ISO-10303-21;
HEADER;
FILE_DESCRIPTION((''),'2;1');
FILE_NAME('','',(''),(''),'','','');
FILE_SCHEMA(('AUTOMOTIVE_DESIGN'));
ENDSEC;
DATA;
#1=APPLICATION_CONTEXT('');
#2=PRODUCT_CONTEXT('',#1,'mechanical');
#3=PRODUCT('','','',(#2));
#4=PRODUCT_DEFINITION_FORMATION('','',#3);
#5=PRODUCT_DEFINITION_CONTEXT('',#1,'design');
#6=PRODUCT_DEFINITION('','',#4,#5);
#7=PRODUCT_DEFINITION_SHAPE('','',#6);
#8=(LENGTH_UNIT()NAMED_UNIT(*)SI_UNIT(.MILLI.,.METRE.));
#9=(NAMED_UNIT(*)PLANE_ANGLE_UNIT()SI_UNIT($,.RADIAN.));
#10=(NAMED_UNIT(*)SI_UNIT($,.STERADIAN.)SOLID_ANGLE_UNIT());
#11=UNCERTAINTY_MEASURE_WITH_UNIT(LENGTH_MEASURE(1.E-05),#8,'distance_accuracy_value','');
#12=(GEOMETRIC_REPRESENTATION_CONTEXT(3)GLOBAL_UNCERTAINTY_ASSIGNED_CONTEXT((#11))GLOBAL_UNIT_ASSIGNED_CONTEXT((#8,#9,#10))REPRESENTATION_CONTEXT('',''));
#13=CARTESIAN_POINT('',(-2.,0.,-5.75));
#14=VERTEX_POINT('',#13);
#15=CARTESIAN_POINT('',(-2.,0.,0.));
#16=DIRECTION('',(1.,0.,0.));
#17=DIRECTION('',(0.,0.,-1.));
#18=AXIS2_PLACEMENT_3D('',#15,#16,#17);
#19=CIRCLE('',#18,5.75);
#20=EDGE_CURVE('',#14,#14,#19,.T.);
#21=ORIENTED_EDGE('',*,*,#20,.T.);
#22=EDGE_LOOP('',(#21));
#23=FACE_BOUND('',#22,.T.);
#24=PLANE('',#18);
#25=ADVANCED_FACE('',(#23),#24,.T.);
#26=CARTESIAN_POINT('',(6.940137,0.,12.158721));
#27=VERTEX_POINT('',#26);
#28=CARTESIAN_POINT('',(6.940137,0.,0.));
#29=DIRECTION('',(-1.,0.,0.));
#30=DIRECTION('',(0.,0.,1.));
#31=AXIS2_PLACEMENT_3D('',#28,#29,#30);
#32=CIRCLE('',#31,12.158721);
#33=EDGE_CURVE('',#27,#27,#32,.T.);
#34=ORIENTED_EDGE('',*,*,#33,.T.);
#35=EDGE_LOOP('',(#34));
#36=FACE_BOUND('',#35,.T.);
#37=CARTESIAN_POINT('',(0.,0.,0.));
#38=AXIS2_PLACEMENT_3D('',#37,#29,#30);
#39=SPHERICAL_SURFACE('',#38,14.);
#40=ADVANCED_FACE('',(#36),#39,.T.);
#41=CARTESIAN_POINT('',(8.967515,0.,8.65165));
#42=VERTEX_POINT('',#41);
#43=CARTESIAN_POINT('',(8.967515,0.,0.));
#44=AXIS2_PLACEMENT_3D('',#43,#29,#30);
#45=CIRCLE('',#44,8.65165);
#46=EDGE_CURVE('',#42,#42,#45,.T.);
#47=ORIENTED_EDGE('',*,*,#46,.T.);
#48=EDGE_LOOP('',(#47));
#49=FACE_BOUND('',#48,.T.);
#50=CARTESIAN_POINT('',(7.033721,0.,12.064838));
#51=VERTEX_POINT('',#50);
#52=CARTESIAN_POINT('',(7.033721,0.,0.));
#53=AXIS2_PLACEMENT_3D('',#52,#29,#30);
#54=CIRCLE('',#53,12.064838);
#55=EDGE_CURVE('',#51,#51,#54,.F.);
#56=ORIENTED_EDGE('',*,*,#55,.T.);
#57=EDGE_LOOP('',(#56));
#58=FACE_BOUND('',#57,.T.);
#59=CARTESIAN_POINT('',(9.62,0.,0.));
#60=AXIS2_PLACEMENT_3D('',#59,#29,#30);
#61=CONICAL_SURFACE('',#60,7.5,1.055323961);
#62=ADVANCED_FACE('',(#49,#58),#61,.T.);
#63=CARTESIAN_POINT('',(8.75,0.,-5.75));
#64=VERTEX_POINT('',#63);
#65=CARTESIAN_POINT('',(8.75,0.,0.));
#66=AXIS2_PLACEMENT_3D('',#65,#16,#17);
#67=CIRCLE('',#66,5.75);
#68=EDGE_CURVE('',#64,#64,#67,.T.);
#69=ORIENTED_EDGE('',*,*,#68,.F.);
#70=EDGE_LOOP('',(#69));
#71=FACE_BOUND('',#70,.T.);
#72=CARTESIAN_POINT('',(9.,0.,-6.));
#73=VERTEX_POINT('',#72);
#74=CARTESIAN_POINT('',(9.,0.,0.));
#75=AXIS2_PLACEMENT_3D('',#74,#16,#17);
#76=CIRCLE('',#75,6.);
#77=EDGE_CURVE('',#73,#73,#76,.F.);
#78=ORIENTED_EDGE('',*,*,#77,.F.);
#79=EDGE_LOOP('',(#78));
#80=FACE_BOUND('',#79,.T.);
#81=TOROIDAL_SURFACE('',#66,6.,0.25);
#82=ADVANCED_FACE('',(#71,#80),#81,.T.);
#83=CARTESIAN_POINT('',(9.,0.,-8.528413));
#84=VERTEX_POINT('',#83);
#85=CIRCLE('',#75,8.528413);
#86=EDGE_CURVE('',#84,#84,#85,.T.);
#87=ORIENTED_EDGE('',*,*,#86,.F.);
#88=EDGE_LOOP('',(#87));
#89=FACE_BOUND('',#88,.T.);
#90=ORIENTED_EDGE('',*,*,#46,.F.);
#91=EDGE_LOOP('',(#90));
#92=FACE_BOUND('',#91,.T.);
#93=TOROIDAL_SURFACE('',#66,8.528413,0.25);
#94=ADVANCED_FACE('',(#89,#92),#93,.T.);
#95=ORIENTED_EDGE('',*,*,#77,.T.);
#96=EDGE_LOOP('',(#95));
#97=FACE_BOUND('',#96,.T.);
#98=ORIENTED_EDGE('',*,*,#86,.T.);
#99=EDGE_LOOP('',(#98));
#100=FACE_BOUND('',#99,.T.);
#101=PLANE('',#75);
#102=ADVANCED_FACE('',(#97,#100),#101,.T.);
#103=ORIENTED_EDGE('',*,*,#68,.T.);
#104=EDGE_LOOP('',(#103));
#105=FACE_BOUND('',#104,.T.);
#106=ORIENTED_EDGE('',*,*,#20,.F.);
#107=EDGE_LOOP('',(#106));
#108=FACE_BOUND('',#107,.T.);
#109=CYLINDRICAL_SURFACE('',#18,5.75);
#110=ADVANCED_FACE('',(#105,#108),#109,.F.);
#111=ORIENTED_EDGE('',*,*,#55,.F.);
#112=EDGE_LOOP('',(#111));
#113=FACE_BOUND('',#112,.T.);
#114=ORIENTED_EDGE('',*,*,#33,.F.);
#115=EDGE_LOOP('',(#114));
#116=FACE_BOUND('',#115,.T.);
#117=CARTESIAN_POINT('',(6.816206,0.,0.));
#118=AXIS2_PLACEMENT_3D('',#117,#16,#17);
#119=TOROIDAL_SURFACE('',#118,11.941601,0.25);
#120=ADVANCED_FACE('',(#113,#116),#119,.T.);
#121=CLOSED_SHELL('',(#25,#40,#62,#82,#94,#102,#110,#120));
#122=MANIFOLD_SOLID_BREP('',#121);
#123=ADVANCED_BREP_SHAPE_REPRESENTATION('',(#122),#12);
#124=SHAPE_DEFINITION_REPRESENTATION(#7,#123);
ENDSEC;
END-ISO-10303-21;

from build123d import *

# Parameters (mm, degrees)
SKETCH3_R          = 13.805
CUT_EXTRUDE1_DEPTH = 10
SKETCH4_R          = 5.75
CUT_EXTRUDE2_DEPTH = 11
FILLET1_R          = 0.25


with BuildPart() as part:
    # Sketch1 → Revolve1 (revolve)
    with BuildSketch(Plane(origin=(0, 0, 0), x_dir=(1, 0, 0), z_dir=(0, 1, 0))):
        with BuildLine():
            Line((0, 14), (0, -14))
            ThreePointArc((0, -14), (-14, 0), (0, 14))
        make_face()
    revolve(axis=Axis((0, 0, -14), (0, 0, 1)))

    # Sketch3 → Cut-Extrude1 (cut)
    with BuildSketch(Plane(origin=(9, 0, 0), x_dir=(0, 0, -1), z_dir=(1, 0, 0))):
        Circle(SKETCH3_R)
    extrude(amount=CUT_EXTRUDE1_DEPTH, mode=Mode.SUBTRACT)

    # Sketch4 → Cut-Extrude2 (cut)
    with BuildSketch(Plane(origin=(9, 0, 0), x_dir=(0, 0, -1), z_dir=(1, 0, 0))):
        Circle(SKETCH4_R)
    extrude(amount=-CUT_EXTRUDE2_DEPTH, mode=Mode.SUBTRACT)

    # Sketch6 → Cut-Revolve1 (revolve, cut)
    with BuildSketch(Plane(origin=(0, 0, 0), x_dir=(1, 0, 0), z_dir=(0, 1, 0))):
        Polygon((7, -12.124355653), (9.62, -7.5), (9.62, -12.124355653), align=None)
    revolve(axis=Axis((0, 0, 0), (1, 0, 0)), mode=Mode.SUBTRACT)

    # Fillet1
    fillet1_edges = [part.edges().sort_by_distance(p)[0] for p in [
        (9, 0, 5.75),
        (9, 0, -8.59431317),
        (7, 0, -12.124355653),
    ]]
    fillet(fillet1_edges, radius=FILLET1_R)


solid = part.part
